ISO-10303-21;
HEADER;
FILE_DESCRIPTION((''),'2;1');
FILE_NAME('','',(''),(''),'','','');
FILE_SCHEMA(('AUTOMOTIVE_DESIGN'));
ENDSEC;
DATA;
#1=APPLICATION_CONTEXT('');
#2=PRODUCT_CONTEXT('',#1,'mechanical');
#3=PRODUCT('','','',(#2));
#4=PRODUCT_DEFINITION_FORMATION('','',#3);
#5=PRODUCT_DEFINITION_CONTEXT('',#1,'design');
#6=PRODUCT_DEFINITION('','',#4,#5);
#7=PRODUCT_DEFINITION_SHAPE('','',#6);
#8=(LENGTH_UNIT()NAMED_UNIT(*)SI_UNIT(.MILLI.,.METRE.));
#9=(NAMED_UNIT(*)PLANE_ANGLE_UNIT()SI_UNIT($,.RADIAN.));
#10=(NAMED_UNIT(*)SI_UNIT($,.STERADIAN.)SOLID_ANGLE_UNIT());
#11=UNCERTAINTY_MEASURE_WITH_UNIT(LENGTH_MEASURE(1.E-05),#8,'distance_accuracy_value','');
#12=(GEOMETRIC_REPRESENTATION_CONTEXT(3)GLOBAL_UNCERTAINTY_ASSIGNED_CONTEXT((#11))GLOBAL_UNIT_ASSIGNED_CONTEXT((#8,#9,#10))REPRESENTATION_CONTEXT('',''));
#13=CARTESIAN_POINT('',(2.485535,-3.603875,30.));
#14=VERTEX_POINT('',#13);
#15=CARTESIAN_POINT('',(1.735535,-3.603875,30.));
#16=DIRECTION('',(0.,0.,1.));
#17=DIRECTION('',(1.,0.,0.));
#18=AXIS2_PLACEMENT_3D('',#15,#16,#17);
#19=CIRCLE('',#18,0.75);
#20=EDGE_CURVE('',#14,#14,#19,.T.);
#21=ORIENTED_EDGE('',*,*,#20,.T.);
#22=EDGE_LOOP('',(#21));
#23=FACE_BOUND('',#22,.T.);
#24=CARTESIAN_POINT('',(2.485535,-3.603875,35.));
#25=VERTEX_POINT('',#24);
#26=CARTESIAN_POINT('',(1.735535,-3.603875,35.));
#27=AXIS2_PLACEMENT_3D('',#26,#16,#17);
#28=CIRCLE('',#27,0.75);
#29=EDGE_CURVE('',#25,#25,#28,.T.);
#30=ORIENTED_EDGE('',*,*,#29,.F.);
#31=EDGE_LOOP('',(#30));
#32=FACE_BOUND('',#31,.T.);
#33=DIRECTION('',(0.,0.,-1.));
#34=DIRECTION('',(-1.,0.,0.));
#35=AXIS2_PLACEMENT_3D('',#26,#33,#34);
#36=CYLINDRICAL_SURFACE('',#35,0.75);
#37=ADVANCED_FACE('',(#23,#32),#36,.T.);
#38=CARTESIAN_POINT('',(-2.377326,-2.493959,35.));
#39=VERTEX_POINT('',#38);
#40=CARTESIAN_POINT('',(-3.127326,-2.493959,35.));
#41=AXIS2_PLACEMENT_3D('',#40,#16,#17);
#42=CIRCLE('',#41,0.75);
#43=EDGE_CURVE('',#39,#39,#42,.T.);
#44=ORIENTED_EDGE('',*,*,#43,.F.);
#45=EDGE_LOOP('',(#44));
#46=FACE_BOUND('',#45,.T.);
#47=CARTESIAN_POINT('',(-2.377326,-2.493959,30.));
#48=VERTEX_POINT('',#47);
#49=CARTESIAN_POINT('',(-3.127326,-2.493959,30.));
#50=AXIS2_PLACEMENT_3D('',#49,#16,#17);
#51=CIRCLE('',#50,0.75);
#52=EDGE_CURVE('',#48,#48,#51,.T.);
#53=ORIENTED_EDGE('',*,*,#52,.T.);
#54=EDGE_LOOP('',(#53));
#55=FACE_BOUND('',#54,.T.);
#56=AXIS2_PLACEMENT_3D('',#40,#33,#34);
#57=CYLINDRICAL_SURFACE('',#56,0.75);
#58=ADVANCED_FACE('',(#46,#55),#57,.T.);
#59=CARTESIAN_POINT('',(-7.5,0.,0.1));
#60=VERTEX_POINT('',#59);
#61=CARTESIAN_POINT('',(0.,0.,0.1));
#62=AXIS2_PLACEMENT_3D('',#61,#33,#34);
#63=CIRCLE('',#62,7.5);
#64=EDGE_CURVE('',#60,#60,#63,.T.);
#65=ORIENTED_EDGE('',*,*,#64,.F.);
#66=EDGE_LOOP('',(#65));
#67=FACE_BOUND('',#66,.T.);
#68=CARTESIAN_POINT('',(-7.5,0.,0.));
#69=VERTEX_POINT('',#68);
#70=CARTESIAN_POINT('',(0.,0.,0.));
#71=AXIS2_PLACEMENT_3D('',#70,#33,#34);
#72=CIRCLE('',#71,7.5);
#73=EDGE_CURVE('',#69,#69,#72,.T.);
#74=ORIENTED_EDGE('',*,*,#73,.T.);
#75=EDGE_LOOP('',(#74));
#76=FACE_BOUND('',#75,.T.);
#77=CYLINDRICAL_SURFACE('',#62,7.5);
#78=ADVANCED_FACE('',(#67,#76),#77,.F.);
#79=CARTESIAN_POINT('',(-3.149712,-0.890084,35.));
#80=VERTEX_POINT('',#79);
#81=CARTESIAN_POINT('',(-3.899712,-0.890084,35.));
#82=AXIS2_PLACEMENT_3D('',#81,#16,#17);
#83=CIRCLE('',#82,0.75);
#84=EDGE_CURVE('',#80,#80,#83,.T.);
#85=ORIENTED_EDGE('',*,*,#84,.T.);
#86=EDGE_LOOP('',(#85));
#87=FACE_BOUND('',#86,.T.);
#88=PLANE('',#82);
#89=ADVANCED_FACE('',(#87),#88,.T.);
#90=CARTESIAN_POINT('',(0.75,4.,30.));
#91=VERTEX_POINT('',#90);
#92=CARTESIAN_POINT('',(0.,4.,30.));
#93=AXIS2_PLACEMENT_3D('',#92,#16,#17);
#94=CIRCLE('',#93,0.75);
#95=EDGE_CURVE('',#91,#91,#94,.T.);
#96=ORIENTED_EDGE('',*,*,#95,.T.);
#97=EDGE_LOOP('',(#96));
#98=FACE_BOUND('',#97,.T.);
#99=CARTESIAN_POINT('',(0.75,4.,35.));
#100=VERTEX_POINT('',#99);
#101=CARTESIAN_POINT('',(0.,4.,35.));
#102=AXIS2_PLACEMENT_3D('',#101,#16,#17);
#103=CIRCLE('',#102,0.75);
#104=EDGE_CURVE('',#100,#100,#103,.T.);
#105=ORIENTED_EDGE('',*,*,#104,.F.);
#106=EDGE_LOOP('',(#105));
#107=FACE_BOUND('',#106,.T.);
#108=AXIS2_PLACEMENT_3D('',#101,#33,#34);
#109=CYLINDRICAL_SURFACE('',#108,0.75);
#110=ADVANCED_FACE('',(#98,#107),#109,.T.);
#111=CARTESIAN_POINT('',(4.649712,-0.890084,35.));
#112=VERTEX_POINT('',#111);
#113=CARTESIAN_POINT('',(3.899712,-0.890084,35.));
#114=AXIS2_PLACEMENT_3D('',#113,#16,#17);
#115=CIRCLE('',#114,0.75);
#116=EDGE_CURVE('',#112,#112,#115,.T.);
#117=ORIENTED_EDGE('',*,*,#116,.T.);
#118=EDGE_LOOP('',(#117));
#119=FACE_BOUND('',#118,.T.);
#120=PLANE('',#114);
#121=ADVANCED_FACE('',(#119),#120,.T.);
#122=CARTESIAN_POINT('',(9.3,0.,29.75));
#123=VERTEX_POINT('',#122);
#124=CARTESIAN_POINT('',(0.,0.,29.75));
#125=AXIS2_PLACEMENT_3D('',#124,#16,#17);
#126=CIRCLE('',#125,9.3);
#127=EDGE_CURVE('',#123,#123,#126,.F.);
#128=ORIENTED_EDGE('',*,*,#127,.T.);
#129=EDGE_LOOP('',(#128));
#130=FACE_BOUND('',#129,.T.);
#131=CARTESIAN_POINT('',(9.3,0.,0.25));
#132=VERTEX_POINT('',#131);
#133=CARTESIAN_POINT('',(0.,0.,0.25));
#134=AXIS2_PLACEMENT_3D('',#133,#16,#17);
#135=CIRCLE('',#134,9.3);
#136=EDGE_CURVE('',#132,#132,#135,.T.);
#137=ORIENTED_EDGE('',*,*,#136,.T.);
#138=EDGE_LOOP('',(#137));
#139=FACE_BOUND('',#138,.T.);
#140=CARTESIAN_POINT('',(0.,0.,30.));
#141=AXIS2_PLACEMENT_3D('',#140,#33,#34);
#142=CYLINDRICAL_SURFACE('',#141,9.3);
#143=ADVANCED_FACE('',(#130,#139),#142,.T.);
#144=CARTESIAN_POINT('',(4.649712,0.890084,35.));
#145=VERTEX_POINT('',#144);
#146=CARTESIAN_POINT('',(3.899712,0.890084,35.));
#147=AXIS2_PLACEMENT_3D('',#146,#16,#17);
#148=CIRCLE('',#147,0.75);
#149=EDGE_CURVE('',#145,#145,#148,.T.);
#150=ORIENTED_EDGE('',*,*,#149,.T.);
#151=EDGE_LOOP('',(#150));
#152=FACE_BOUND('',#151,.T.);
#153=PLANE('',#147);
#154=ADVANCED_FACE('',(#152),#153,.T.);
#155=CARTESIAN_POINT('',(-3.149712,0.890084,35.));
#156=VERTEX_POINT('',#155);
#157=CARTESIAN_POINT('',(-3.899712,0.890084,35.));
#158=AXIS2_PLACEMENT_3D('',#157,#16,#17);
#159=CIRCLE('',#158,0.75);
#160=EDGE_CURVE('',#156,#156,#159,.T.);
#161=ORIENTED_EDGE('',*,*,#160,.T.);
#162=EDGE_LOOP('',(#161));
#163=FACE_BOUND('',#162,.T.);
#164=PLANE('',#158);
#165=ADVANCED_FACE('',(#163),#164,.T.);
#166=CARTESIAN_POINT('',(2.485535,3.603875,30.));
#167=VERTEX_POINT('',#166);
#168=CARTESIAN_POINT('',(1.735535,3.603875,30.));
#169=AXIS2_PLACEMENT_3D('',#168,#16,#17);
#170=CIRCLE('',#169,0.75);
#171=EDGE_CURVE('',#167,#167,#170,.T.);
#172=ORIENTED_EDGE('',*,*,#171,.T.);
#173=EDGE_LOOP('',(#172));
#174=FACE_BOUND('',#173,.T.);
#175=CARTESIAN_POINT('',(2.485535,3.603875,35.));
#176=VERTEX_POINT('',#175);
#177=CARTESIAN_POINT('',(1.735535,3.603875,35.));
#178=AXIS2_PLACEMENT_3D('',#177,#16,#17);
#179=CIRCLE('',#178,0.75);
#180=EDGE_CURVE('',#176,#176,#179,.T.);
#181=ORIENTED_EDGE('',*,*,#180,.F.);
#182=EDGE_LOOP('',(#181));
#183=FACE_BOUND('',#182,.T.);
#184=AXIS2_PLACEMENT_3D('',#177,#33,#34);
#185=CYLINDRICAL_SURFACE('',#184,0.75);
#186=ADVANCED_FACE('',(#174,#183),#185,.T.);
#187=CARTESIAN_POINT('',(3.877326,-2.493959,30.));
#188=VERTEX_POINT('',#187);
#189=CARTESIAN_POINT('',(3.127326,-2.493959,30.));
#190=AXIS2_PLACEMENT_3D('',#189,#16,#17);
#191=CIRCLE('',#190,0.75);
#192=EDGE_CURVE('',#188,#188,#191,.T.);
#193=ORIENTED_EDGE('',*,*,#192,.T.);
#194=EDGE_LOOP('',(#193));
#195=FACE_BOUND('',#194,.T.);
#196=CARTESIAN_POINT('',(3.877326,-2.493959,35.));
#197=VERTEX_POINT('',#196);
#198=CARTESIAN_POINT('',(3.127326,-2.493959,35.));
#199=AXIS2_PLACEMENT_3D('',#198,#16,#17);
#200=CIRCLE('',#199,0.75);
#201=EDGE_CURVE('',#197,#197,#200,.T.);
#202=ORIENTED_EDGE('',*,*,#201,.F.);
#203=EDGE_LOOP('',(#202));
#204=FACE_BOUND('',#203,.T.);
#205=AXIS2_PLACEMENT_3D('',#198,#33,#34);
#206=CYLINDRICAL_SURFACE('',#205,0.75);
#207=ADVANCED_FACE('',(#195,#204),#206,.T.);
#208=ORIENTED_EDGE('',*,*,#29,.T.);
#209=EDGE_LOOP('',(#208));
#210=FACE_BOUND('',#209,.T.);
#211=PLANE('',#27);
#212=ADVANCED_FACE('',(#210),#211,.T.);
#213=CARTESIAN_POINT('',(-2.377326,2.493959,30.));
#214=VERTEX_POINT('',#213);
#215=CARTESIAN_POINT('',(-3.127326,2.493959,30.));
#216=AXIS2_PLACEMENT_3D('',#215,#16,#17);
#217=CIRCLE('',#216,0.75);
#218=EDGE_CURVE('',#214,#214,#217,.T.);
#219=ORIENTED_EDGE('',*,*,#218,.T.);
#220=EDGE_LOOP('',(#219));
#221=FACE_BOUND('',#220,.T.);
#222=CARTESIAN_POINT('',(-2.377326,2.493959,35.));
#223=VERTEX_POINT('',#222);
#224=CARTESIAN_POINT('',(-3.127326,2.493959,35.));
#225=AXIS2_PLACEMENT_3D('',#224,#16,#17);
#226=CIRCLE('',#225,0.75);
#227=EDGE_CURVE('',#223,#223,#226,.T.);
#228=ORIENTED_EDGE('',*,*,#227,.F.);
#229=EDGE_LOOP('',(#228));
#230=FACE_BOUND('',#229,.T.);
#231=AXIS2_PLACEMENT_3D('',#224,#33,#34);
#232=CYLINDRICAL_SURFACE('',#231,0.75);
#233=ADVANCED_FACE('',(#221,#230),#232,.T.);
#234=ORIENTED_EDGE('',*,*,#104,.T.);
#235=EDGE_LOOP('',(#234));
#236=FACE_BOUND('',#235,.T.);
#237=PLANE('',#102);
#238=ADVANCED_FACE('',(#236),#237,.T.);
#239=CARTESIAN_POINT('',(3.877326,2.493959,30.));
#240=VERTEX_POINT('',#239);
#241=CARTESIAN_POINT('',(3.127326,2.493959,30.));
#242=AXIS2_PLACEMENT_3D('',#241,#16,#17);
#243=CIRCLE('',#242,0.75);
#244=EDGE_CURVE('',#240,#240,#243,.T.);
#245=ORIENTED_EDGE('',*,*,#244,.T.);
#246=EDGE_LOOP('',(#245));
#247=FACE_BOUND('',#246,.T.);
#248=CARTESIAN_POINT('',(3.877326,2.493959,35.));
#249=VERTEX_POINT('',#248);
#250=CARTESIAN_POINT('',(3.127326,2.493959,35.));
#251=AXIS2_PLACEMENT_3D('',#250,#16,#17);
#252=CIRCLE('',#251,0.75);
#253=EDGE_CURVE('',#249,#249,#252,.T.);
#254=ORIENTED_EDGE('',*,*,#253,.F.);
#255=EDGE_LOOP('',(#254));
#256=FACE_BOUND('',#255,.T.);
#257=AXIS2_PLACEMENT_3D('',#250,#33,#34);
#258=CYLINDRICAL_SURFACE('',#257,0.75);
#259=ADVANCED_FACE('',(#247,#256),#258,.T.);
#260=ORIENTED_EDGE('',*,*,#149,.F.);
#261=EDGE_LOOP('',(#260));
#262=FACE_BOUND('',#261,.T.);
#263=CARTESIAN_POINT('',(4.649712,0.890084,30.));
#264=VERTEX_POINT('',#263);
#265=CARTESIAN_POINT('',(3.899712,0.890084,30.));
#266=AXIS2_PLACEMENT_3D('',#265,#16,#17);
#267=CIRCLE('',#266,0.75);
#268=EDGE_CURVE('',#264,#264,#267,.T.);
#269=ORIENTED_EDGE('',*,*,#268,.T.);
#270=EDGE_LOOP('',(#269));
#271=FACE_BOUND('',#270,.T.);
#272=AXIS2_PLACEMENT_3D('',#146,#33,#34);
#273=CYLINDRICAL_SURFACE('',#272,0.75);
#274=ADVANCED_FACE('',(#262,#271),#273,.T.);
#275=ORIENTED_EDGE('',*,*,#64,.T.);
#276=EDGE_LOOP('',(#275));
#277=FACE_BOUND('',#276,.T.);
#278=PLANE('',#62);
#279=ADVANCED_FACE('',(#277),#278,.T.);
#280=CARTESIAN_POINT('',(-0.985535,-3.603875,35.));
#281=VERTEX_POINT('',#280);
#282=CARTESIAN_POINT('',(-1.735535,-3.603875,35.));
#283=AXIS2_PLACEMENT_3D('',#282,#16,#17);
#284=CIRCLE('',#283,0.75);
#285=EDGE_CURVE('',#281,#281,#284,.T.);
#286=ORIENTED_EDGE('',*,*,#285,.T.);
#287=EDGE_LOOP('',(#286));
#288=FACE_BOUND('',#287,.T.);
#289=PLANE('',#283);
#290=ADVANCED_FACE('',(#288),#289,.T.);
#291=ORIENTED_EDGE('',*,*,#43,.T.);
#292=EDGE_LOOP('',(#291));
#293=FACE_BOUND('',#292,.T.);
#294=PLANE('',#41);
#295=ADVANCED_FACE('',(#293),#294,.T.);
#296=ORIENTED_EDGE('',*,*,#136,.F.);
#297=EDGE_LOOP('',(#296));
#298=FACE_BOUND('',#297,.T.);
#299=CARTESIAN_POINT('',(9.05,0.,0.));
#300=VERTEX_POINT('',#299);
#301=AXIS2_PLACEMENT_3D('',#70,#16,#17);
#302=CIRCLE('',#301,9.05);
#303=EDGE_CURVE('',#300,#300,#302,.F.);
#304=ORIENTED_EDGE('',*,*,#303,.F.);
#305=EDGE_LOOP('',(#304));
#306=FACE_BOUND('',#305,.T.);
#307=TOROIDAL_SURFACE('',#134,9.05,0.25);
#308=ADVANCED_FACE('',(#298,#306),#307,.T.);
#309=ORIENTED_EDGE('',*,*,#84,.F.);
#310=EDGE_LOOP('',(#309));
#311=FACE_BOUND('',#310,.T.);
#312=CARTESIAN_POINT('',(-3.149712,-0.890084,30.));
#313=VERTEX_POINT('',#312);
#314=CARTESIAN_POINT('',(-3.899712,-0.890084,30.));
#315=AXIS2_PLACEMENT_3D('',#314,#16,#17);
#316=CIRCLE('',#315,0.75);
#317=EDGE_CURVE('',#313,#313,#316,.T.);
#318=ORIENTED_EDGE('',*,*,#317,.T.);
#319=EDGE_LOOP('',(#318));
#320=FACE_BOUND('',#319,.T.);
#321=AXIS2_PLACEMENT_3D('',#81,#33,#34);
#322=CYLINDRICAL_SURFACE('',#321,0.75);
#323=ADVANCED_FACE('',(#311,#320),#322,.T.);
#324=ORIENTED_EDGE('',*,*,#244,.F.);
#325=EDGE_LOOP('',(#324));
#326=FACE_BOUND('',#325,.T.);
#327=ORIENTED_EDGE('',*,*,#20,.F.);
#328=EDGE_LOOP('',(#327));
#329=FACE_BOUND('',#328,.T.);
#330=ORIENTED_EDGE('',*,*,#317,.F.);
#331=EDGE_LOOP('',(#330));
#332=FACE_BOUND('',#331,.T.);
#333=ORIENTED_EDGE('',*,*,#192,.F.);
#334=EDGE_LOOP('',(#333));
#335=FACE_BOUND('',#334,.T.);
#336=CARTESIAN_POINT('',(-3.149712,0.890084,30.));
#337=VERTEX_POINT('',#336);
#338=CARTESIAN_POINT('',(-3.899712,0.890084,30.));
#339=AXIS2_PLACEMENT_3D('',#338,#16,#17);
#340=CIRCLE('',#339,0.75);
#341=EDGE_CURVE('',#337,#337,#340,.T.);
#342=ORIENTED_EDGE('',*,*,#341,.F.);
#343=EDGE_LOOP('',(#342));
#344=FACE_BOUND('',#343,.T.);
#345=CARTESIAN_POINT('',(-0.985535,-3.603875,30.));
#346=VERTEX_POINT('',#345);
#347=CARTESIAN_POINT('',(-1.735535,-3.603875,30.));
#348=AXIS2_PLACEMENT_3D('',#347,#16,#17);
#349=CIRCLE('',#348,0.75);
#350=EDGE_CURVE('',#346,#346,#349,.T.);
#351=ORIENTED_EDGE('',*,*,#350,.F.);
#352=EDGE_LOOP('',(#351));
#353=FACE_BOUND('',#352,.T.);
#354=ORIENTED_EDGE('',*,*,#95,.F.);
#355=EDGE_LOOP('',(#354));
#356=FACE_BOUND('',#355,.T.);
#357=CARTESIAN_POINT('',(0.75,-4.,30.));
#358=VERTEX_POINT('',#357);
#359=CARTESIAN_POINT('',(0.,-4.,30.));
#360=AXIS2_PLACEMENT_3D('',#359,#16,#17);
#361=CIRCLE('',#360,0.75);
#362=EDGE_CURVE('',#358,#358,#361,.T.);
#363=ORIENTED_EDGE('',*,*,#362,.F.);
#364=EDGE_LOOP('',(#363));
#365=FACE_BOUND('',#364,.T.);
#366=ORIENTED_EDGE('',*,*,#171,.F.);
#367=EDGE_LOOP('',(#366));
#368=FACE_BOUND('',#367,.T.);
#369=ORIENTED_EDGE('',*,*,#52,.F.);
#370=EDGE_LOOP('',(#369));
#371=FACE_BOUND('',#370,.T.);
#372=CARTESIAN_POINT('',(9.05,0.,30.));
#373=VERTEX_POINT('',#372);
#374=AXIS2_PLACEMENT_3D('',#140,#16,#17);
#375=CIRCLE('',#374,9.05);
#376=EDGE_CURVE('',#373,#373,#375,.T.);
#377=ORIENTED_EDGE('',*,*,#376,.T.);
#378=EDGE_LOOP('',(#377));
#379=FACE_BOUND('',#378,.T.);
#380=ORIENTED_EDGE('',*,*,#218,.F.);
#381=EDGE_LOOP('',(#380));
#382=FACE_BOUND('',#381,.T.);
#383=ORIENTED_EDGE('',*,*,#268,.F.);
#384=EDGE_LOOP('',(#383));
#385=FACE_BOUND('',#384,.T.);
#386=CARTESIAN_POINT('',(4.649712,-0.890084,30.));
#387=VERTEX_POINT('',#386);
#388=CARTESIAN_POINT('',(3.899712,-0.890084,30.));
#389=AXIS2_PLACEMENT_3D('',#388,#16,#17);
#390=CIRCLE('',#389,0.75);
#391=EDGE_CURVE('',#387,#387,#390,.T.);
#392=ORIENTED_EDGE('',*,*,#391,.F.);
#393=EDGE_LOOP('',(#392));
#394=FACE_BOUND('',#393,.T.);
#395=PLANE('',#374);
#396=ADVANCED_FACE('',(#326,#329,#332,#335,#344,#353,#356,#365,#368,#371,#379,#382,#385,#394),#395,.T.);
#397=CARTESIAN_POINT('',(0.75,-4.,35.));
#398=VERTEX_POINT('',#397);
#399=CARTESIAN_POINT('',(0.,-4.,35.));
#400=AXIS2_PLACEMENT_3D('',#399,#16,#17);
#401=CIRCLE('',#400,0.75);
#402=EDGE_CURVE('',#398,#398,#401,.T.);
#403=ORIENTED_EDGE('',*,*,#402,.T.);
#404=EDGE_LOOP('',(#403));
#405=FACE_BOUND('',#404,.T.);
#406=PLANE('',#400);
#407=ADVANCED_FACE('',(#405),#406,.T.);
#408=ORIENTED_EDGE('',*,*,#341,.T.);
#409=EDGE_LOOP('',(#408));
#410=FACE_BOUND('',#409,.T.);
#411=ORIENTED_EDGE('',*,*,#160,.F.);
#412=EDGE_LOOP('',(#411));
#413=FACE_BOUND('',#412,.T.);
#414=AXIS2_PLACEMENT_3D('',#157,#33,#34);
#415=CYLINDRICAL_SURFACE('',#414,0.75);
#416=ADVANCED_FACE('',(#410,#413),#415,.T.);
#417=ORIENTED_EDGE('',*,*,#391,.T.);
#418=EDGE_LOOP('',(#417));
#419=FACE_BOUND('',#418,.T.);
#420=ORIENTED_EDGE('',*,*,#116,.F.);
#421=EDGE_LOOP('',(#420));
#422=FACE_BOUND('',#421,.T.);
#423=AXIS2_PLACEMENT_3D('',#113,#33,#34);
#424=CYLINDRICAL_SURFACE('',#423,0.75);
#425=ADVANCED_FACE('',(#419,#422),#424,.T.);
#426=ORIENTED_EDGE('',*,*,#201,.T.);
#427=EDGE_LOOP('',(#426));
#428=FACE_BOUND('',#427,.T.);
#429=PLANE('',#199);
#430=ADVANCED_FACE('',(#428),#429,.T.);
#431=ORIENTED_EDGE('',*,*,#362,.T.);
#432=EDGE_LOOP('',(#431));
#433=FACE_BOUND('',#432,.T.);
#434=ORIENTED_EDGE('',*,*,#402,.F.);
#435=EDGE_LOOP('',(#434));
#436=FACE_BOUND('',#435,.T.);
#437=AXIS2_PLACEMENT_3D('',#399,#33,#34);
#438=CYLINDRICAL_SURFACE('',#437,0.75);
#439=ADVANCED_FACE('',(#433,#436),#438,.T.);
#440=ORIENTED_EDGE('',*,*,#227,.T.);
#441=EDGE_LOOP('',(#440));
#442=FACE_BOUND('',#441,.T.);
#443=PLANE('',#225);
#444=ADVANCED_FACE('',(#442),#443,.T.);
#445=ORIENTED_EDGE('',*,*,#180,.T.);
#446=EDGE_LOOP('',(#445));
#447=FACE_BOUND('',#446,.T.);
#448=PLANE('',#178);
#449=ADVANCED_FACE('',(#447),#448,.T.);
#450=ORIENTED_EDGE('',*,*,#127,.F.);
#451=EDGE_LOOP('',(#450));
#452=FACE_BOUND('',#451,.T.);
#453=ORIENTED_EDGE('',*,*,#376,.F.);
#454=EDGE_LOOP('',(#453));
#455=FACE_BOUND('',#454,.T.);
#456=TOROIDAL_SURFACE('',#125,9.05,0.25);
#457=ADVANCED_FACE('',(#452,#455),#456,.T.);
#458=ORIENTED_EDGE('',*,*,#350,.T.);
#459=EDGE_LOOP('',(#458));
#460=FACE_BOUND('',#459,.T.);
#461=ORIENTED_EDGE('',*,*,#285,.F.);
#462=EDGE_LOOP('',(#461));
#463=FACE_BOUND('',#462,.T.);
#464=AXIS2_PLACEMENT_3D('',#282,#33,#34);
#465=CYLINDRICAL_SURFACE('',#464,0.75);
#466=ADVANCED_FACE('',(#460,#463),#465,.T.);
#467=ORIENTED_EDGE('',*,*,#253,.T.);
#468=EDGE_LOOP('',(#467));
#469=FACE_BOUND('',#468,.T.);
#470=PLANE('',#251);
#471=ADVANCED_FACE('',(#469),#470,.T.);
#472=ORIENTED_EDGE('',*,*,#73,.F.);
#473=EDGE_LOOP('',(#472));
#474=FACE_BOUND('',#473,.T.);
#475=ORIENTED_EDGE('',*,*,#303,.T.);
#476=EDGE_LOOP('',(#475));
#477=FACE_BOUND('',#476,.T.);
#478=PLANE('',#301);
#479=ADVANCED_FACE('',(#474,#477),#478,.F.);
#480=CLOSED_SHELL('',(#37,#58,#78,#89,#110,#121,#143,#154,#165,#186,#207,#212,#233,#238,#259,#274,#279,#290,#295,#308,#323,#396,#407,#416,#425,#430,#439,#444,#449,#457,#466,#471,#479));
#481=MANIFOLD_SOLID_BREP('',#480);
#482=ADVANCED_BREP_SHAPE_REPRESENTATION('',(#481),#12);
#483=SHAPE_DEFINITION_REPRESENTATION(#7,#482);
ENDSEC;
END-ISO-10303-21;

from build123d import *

# Parameters (mm, degrees)
SKETCH1_R           = 9.3
BOSS_EXTRUDE1_DEPTH = 30
SKETCH2_R           = 7.5
CUT_EXTRUDE1_DEPTH  = 0.1
SKETCH3_R           = 0.75
BOSS_EXTRUDE2_DEPTH = 5
FILLET1_R           = 0.25


with BuildPart() as part:
    # Sketch1 → Boss-Extrude1 (new body)
    with BuildSketch(Plane.XY):
        Circle(SKETCH1_R)
    extrude(amount=BOSS_EXTRUDE1_DEPTH)

    # Sketch2 → Cut-Extrude1 (cut)
    with BuildSketch(Plane(origin=(0, 0, 0), x_dir=(-1, 0, 0), z_dir=(0, 0, -1))):
        Circle(SKETCH2_R)
    extrude(amount=-CUT_EXTRUDE1_DEPTH, mode=Mode.SUBTRACT)

    # Sketch3 → Boss-Extrude2 (add)
    with BuildSketch(Plane.XY.offset(30)):
        with Locations((0, 4)):
            Circle(SKETCH3_R)
        with Locations((1.735534956, 3.603875472)):
            Circle(SKETCH3_R)
        with Locations((3.12732593, 2.493959207)):
            Circle(SKETCH3_R)
        with Locations((3.899711649, 0.890083736)):
            Circle(SKETCH3_R)
        with Locations((3.899711649, -0.890083736)):
            Circle(SKETCH3_R)
        with Locations((3.12732593, -2.493959207)):
            Circle(SKETCH3_R)
        with Locations((1.735534956, -3.603875472)):
            Circle(SKETCH3_R)
        with Locations((0, -4)):
            Circle(SKETCH3_R)
        with Locations((-1.735534956, -3.603875472)):
            Circle(SKETCH3_R)
        with Locations((-3.12732593, -2.493959207)):
            Circle(SKETCH3_R)
        with Locations((-3.899711649, -0.890083736)):
            Circle(SKETCH3_R)
        with Locations((-3.899711649, 0.890083736)):
            Circle(SKETCH3_R)
        with Locations((-3.12732593, 2.493959207)):
            Circle(SKETCH3_R)
    extrude(amount=BOSS_EXTRUDE2_DEPTH)

    # Fillet1
    fillet1_edges = [part.edges().sort_by_distance(p)[0] for p in [
        (-9.3, 0, 0),
        (-9.3, 0, 30),
    ]]
    fillet(fillet1_edges, radius=FILLET1_R)


solid = part.part
